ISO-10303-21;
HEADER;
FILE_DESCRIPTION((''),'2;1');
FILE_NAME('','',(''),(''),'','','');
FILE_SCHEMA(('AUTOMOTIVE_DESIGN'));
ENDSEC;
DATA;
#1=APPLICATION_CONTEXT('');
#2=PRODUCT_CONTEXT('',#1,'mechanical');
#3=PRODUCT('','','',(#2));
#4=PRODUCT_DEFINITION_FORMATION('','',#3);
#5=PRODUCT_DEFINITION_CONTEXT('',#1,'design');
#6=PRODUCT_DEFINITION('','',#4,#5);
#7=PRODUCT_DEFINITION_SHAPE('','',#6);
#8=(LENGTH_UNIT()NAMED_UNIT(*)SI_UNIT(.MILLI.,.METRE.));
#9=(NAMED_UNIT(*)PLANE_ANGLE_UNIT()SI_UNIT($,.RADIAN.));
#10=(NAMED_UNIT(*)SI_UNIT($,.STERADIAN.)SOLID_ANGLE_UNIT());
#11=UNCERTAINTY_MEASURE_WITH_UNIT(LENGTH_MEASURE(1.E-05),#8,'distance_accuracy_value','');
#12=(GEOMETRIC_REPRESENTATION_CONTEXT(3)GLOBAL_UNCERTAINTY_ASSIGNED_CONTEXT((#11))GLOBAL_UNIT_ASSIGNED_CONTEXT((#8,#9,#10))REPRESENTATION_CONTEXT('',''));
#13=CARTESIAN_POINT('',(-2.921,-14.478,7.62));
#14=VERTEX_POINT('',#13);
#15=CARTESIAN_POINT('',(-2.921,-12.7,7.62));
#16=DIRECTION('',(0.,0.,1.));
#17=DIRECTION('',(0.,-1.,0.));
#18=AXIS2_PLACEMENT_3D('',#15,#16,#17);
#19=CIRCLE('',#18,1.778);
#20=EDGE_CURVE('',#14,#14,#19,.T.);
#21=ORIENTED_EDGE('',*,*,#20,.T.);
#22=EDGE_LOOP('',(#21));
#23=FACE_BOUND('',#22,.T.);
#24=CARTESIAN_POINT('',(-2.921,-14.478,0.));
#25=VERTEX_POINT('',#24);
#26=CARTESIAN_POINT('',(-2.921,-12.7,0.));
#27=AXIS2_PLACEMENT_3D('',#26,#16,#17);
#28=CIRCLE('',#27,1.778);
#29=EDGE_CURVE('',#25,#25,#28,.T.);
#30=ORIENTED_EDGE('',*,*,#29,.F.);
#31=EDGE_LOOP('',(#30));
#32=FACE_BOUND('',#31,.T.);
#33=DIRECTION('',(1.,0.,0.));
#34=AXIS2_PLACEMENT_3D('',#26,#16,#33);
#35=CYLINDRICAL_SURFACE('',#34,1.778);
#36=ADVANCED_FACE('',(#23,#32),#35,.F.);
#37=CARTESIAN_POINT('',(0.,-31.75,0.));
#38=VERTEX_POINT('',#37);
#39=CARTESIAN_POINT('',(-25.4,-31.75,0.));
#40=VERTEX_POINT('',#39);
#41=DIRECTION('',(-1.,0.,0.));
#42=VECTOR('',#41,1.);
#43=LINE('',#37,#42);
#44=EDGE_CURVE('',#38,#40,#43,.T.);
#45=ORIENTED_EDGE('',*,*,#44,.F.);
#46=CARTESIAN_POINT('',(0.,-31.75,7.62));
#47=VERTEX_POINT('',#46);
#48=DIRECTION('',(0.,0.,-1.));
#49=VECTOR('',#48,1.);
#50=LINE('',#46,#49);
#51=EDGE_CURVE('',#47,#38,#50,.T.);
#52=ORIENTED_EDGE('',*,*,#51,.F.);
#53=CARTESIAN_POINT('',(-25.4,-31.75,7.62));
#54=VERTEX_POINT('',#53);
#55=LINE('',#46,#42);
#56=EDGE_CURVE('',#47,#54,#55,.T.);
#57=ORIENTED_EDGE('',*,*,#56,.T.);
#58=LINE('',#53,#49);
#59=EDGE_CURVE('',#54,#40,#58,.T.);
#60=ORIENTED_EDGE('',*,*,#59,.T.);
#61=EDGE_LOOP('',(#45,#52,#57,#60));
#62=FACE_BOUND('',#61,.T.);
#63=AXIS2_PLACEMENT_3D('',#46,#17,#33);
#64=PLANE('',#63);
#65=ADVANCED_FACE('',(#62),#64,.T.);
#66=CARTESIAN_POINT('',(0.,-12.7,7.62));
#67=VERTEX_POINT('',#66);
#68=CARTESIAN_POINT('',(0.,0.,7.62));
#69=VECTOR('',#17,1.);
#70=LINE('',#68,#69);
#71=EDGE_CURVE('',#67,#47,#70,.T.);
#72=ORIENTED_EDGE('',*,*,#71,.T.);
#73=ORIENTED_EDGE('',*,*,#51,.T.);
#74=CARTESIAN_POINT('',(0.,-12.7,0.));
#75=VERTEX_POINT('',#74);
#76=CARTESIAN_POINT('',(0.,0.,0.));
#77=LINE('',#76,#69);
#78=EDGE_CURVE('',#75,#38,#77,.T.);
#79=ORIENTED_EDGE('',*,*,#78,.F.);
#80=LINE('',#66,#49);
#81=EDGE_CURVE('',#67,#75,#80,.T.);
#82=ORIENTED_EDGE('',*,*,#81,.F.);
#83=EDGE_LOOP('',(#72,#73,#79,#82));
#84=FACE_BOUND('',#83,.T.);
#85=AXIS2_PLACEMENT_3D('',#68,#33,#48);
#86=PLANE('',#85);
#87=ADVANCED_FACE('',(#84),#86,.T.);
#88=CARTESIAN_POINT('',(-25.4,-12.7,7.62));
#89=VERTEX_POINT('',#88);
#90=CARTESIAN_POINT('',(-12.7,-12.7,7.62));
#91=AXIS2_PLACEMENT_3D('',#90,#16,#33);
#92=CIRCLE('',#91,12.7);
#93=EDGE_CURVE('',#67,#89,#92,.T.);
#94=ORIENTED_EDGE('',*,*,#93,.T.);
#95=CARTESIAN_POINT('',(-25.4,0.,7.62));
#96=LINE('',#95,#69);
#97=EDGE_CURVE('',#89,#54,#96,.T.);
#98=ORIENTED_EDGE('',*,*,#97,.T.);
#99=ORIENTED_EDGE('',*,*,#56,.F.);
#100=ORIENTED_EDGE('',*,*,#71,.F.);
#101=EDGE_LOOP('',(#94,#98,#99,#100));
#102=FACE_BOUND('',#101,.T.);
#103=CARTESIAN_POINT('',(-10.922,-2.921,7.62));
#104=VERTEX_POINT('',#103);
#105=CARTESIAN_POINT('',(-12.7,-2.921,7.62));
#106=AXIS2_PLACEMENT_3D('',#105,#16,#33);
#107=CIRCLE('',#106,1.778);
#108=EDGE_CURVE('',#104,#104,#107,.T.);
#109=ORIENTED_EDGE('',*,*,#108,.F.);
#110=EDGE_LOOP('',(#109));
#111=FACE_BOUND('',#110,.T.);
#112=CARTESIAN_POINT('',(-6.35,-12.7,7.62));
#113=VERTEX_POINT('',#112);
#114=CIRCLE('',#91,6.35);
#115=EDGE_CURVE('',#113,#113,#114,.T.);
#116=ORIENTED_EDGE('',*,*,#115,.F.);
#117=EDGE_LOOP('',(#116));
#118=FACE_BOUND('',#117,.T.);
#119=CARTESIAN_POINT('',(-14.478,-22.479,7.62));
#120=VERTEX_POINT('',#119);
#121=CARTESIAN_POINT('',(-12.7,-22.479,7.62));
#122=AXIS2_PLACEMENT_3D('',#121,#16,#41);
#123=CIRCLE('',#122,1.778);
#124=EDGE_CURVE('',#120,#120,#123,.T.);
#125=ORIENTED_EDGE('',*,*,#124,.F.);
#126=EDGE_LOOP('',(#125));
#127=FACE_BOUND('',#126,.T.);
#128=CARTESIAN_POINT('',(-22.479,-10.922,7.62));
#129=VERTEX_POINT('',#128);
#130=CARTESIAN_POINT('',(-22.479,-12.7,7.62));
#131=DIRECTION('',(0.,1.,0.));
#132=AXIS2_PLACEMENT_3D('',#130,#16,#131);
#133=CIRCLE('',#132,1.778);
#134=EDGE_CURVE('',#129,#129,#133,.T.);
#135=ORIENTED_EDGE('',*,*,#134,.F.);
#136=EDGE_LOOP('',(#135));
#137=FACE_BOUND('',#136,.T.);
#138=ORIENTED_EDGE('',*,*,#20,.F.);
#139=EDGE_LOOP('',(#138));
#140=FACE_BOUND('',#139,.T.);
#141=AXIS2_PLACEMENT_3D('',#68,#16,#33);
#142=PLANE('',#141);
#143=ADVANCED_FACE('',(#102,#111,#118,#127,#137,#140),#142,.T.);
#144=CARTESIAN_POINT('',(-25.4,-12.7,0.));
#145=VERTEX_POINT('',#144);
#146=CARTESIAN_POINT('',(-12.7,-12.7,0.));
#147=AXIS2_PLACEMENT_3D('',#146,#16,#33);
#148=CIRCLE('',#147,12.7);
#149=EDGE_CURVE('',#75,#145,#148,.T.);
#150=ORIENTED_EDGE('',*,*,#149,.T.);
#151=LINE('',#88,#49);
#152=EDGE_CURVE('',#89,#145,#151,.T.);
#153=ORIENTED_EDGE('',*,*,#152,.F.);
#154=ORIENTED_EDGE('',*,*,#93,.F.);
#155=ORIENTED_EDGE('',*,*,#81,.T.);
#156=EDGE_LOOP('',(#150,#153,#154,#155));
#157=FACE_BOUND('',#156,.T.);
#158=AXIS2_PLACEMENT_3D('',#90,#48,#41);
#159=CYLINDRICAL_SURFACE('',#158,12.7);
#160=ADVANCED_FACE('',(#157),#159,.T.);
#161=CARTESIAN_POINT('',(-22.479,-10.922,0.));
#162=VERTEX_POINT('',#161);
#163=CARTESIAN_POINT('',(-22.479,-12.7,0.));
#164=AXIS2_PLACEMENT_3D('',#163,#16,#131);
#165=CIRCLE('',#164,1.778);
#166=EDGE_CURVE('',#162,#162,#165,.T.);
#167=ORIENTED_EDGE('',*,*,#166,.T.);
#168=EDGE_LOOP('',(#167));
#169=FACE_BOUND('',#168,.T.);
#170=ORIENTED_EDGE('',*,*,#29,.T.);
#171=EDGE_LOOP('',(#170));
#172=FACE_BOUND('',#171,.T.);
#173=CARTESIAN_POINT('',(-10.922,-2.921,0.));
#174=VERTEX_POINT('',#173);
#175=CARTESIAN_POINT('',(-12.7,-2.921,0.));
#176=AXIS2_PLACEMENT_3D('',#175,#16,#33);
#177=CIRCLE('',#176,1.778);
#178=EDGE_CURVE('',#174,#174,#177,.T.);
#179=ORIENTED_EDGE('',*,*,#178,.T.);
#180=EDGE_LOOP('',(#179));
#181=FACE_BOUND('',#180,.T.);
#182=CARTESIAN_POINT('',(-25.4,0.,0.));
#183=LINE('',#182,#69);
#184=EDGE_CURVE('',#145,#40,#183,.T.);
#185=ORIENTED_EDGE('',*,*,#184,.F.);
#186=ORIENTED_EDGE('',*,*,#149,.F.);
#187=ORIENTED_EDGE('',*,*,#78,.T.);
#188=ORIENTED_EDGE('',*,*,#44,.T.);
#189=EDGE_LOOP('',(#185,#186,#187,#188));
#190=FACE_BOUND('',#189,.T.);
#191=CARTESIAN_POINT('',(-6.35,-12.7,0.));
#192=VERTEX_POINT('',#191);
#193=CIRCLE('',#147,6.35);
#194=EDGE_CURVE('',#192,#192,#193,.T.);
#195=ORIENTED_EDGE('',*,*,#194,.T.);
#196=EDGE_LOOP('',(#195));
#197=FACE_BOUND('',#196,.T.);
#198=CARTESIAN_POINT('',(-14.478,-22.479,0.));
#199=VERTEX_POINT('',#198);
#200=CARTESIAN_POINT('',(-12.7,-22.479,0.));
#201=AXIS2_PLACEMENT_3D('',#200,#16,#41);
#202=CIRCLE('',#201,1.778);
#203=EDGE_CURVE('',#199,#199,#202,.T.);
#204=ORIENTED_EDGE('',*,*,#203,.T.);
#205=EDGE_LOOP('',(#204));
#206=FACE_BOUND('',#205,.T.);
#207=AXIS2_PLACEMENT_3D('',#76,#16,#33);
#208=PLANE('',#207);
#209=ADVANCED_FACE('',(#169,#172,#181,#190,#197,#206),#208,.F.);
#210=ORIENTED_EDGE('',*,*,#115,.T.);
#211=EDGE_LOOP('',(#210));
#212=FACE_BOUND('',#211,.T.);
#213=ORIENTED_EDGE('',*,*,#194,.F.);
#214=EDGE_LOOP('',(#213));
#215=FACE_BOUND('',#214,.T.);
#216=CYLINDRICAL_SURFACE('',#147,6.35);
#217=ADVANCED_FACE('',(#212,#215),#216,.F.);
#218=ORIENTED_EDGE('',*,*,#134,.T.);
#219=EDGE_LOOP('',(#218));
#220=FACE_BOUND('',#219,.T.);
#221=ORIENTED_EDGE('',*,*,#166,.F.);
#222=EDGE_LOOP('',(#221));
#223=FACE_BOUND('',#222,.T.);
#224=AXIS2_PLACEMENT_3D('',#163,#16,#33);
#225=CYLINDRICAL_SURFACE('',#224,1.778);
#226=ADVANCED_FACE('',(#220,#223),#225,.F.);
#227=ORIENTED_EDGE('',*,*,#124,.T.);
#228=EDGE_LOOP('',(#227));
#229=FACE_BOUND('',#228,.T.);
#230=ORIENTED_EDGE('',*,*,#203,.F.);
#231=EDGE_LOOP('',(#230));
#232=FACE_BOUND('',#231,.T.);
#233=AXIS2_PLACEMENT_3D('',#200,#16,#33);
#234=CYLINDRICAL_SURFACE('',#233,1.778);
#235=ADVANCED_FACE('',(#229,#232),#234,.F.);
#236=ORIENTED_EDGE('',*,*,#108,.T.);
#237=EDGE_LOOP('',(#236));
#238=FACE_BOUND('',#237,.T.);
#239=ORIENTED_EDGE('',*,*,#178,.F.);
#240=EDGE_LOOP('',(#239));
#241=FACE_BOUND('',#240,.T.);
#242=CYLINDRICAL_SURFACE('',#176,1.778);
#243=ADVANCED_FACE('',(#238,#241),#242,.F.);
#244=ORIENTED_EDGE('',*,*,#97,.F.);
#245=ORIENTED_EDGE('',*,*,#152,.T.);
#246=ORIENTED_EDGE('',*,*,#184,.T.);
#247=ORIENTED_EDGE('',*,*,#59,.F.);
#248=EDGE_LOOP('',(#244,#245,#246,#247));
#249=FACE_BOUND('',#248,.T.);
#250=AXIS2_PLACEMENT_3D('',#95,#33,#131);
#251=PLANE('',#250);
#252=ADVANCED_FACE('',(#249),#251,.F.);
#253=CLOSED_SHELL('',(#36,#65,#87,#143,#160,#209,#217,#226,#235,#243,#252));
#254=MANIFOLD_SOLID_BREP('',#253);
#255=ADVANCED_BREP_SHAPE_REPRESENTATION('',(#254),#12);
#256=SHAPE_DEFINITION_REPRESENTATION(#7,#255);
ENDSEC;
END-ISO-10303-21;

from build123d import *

# Parameters (mm, degrees)
SKETCH1_R           = 12.7
BOSS_EXTRUDE1_DEPTH = 7.62
SKETCH2_R           = 6.35
CUT_EXTRUDE1_DEPTH  = 7.62
SKETCH3_R           = 1.778
CUT_EXTRUDE2_DEPTH  = 7.62
CIRPATTERN1_COUNT   = 4


with BuildPart() as part:
    # Sketch1 → Boss-Extrude1 (new body)
    with BuildSketch(Plane.XY):
        with BuildLine():
            Line((0, -31.75), (0, -12.7))
            ThreePointArc((0, -12.7), (-12.699999961, -25.4), (-25.4, -12.700000079))
            Line((-25.4, -12.700000079), (-25.4, -31.75))
            Line((-25.4, -31.75), (0, -31.75))
        make_face()
        with Locations((-12.7, -12.7)):
            Circle(SKETCH1_R)
    extrude(amount=BOSS_EXTRUDE1_DEPTH)

    # Sketch2 → Cut-Extrude1 (cut)
    with BuildSketch(Plane.XY.offset(7.62)):
        with Locations((-12.7, -12.7)):
            Circle(SKETCH2_R)
    extrude(amount=-CUT_EXTRUDE1_DEPTH, mode=Mode.SUBTRACT)

    # Sketch3 → Cut-Extrude2 (cut)
    with BuildSketch(Plane.XY.offset(7.62)):
        with Locations((-12.7, -2.921)):
            Circle(SKETCH3_R)
    cut_extrude2 = extrude(amount=-CUT_EXTRUDE2_DEPTH, mode=Mode.SUBTRACT)

    # CirPattern1: Cut-Extrude2 ×4 about axis
    cirpattern1_axis = Axis((-12.7, -12.7, 0), (0, 0, 1))
    for i in range(1, CIRPATTERN1_COUNT):
        add(cut_extrude2.rotate(cirpattern1_axis, i * 360 / CIRPATTERN1_COUNT), mode=Mode.SUBTRACT)


solid = part.part
